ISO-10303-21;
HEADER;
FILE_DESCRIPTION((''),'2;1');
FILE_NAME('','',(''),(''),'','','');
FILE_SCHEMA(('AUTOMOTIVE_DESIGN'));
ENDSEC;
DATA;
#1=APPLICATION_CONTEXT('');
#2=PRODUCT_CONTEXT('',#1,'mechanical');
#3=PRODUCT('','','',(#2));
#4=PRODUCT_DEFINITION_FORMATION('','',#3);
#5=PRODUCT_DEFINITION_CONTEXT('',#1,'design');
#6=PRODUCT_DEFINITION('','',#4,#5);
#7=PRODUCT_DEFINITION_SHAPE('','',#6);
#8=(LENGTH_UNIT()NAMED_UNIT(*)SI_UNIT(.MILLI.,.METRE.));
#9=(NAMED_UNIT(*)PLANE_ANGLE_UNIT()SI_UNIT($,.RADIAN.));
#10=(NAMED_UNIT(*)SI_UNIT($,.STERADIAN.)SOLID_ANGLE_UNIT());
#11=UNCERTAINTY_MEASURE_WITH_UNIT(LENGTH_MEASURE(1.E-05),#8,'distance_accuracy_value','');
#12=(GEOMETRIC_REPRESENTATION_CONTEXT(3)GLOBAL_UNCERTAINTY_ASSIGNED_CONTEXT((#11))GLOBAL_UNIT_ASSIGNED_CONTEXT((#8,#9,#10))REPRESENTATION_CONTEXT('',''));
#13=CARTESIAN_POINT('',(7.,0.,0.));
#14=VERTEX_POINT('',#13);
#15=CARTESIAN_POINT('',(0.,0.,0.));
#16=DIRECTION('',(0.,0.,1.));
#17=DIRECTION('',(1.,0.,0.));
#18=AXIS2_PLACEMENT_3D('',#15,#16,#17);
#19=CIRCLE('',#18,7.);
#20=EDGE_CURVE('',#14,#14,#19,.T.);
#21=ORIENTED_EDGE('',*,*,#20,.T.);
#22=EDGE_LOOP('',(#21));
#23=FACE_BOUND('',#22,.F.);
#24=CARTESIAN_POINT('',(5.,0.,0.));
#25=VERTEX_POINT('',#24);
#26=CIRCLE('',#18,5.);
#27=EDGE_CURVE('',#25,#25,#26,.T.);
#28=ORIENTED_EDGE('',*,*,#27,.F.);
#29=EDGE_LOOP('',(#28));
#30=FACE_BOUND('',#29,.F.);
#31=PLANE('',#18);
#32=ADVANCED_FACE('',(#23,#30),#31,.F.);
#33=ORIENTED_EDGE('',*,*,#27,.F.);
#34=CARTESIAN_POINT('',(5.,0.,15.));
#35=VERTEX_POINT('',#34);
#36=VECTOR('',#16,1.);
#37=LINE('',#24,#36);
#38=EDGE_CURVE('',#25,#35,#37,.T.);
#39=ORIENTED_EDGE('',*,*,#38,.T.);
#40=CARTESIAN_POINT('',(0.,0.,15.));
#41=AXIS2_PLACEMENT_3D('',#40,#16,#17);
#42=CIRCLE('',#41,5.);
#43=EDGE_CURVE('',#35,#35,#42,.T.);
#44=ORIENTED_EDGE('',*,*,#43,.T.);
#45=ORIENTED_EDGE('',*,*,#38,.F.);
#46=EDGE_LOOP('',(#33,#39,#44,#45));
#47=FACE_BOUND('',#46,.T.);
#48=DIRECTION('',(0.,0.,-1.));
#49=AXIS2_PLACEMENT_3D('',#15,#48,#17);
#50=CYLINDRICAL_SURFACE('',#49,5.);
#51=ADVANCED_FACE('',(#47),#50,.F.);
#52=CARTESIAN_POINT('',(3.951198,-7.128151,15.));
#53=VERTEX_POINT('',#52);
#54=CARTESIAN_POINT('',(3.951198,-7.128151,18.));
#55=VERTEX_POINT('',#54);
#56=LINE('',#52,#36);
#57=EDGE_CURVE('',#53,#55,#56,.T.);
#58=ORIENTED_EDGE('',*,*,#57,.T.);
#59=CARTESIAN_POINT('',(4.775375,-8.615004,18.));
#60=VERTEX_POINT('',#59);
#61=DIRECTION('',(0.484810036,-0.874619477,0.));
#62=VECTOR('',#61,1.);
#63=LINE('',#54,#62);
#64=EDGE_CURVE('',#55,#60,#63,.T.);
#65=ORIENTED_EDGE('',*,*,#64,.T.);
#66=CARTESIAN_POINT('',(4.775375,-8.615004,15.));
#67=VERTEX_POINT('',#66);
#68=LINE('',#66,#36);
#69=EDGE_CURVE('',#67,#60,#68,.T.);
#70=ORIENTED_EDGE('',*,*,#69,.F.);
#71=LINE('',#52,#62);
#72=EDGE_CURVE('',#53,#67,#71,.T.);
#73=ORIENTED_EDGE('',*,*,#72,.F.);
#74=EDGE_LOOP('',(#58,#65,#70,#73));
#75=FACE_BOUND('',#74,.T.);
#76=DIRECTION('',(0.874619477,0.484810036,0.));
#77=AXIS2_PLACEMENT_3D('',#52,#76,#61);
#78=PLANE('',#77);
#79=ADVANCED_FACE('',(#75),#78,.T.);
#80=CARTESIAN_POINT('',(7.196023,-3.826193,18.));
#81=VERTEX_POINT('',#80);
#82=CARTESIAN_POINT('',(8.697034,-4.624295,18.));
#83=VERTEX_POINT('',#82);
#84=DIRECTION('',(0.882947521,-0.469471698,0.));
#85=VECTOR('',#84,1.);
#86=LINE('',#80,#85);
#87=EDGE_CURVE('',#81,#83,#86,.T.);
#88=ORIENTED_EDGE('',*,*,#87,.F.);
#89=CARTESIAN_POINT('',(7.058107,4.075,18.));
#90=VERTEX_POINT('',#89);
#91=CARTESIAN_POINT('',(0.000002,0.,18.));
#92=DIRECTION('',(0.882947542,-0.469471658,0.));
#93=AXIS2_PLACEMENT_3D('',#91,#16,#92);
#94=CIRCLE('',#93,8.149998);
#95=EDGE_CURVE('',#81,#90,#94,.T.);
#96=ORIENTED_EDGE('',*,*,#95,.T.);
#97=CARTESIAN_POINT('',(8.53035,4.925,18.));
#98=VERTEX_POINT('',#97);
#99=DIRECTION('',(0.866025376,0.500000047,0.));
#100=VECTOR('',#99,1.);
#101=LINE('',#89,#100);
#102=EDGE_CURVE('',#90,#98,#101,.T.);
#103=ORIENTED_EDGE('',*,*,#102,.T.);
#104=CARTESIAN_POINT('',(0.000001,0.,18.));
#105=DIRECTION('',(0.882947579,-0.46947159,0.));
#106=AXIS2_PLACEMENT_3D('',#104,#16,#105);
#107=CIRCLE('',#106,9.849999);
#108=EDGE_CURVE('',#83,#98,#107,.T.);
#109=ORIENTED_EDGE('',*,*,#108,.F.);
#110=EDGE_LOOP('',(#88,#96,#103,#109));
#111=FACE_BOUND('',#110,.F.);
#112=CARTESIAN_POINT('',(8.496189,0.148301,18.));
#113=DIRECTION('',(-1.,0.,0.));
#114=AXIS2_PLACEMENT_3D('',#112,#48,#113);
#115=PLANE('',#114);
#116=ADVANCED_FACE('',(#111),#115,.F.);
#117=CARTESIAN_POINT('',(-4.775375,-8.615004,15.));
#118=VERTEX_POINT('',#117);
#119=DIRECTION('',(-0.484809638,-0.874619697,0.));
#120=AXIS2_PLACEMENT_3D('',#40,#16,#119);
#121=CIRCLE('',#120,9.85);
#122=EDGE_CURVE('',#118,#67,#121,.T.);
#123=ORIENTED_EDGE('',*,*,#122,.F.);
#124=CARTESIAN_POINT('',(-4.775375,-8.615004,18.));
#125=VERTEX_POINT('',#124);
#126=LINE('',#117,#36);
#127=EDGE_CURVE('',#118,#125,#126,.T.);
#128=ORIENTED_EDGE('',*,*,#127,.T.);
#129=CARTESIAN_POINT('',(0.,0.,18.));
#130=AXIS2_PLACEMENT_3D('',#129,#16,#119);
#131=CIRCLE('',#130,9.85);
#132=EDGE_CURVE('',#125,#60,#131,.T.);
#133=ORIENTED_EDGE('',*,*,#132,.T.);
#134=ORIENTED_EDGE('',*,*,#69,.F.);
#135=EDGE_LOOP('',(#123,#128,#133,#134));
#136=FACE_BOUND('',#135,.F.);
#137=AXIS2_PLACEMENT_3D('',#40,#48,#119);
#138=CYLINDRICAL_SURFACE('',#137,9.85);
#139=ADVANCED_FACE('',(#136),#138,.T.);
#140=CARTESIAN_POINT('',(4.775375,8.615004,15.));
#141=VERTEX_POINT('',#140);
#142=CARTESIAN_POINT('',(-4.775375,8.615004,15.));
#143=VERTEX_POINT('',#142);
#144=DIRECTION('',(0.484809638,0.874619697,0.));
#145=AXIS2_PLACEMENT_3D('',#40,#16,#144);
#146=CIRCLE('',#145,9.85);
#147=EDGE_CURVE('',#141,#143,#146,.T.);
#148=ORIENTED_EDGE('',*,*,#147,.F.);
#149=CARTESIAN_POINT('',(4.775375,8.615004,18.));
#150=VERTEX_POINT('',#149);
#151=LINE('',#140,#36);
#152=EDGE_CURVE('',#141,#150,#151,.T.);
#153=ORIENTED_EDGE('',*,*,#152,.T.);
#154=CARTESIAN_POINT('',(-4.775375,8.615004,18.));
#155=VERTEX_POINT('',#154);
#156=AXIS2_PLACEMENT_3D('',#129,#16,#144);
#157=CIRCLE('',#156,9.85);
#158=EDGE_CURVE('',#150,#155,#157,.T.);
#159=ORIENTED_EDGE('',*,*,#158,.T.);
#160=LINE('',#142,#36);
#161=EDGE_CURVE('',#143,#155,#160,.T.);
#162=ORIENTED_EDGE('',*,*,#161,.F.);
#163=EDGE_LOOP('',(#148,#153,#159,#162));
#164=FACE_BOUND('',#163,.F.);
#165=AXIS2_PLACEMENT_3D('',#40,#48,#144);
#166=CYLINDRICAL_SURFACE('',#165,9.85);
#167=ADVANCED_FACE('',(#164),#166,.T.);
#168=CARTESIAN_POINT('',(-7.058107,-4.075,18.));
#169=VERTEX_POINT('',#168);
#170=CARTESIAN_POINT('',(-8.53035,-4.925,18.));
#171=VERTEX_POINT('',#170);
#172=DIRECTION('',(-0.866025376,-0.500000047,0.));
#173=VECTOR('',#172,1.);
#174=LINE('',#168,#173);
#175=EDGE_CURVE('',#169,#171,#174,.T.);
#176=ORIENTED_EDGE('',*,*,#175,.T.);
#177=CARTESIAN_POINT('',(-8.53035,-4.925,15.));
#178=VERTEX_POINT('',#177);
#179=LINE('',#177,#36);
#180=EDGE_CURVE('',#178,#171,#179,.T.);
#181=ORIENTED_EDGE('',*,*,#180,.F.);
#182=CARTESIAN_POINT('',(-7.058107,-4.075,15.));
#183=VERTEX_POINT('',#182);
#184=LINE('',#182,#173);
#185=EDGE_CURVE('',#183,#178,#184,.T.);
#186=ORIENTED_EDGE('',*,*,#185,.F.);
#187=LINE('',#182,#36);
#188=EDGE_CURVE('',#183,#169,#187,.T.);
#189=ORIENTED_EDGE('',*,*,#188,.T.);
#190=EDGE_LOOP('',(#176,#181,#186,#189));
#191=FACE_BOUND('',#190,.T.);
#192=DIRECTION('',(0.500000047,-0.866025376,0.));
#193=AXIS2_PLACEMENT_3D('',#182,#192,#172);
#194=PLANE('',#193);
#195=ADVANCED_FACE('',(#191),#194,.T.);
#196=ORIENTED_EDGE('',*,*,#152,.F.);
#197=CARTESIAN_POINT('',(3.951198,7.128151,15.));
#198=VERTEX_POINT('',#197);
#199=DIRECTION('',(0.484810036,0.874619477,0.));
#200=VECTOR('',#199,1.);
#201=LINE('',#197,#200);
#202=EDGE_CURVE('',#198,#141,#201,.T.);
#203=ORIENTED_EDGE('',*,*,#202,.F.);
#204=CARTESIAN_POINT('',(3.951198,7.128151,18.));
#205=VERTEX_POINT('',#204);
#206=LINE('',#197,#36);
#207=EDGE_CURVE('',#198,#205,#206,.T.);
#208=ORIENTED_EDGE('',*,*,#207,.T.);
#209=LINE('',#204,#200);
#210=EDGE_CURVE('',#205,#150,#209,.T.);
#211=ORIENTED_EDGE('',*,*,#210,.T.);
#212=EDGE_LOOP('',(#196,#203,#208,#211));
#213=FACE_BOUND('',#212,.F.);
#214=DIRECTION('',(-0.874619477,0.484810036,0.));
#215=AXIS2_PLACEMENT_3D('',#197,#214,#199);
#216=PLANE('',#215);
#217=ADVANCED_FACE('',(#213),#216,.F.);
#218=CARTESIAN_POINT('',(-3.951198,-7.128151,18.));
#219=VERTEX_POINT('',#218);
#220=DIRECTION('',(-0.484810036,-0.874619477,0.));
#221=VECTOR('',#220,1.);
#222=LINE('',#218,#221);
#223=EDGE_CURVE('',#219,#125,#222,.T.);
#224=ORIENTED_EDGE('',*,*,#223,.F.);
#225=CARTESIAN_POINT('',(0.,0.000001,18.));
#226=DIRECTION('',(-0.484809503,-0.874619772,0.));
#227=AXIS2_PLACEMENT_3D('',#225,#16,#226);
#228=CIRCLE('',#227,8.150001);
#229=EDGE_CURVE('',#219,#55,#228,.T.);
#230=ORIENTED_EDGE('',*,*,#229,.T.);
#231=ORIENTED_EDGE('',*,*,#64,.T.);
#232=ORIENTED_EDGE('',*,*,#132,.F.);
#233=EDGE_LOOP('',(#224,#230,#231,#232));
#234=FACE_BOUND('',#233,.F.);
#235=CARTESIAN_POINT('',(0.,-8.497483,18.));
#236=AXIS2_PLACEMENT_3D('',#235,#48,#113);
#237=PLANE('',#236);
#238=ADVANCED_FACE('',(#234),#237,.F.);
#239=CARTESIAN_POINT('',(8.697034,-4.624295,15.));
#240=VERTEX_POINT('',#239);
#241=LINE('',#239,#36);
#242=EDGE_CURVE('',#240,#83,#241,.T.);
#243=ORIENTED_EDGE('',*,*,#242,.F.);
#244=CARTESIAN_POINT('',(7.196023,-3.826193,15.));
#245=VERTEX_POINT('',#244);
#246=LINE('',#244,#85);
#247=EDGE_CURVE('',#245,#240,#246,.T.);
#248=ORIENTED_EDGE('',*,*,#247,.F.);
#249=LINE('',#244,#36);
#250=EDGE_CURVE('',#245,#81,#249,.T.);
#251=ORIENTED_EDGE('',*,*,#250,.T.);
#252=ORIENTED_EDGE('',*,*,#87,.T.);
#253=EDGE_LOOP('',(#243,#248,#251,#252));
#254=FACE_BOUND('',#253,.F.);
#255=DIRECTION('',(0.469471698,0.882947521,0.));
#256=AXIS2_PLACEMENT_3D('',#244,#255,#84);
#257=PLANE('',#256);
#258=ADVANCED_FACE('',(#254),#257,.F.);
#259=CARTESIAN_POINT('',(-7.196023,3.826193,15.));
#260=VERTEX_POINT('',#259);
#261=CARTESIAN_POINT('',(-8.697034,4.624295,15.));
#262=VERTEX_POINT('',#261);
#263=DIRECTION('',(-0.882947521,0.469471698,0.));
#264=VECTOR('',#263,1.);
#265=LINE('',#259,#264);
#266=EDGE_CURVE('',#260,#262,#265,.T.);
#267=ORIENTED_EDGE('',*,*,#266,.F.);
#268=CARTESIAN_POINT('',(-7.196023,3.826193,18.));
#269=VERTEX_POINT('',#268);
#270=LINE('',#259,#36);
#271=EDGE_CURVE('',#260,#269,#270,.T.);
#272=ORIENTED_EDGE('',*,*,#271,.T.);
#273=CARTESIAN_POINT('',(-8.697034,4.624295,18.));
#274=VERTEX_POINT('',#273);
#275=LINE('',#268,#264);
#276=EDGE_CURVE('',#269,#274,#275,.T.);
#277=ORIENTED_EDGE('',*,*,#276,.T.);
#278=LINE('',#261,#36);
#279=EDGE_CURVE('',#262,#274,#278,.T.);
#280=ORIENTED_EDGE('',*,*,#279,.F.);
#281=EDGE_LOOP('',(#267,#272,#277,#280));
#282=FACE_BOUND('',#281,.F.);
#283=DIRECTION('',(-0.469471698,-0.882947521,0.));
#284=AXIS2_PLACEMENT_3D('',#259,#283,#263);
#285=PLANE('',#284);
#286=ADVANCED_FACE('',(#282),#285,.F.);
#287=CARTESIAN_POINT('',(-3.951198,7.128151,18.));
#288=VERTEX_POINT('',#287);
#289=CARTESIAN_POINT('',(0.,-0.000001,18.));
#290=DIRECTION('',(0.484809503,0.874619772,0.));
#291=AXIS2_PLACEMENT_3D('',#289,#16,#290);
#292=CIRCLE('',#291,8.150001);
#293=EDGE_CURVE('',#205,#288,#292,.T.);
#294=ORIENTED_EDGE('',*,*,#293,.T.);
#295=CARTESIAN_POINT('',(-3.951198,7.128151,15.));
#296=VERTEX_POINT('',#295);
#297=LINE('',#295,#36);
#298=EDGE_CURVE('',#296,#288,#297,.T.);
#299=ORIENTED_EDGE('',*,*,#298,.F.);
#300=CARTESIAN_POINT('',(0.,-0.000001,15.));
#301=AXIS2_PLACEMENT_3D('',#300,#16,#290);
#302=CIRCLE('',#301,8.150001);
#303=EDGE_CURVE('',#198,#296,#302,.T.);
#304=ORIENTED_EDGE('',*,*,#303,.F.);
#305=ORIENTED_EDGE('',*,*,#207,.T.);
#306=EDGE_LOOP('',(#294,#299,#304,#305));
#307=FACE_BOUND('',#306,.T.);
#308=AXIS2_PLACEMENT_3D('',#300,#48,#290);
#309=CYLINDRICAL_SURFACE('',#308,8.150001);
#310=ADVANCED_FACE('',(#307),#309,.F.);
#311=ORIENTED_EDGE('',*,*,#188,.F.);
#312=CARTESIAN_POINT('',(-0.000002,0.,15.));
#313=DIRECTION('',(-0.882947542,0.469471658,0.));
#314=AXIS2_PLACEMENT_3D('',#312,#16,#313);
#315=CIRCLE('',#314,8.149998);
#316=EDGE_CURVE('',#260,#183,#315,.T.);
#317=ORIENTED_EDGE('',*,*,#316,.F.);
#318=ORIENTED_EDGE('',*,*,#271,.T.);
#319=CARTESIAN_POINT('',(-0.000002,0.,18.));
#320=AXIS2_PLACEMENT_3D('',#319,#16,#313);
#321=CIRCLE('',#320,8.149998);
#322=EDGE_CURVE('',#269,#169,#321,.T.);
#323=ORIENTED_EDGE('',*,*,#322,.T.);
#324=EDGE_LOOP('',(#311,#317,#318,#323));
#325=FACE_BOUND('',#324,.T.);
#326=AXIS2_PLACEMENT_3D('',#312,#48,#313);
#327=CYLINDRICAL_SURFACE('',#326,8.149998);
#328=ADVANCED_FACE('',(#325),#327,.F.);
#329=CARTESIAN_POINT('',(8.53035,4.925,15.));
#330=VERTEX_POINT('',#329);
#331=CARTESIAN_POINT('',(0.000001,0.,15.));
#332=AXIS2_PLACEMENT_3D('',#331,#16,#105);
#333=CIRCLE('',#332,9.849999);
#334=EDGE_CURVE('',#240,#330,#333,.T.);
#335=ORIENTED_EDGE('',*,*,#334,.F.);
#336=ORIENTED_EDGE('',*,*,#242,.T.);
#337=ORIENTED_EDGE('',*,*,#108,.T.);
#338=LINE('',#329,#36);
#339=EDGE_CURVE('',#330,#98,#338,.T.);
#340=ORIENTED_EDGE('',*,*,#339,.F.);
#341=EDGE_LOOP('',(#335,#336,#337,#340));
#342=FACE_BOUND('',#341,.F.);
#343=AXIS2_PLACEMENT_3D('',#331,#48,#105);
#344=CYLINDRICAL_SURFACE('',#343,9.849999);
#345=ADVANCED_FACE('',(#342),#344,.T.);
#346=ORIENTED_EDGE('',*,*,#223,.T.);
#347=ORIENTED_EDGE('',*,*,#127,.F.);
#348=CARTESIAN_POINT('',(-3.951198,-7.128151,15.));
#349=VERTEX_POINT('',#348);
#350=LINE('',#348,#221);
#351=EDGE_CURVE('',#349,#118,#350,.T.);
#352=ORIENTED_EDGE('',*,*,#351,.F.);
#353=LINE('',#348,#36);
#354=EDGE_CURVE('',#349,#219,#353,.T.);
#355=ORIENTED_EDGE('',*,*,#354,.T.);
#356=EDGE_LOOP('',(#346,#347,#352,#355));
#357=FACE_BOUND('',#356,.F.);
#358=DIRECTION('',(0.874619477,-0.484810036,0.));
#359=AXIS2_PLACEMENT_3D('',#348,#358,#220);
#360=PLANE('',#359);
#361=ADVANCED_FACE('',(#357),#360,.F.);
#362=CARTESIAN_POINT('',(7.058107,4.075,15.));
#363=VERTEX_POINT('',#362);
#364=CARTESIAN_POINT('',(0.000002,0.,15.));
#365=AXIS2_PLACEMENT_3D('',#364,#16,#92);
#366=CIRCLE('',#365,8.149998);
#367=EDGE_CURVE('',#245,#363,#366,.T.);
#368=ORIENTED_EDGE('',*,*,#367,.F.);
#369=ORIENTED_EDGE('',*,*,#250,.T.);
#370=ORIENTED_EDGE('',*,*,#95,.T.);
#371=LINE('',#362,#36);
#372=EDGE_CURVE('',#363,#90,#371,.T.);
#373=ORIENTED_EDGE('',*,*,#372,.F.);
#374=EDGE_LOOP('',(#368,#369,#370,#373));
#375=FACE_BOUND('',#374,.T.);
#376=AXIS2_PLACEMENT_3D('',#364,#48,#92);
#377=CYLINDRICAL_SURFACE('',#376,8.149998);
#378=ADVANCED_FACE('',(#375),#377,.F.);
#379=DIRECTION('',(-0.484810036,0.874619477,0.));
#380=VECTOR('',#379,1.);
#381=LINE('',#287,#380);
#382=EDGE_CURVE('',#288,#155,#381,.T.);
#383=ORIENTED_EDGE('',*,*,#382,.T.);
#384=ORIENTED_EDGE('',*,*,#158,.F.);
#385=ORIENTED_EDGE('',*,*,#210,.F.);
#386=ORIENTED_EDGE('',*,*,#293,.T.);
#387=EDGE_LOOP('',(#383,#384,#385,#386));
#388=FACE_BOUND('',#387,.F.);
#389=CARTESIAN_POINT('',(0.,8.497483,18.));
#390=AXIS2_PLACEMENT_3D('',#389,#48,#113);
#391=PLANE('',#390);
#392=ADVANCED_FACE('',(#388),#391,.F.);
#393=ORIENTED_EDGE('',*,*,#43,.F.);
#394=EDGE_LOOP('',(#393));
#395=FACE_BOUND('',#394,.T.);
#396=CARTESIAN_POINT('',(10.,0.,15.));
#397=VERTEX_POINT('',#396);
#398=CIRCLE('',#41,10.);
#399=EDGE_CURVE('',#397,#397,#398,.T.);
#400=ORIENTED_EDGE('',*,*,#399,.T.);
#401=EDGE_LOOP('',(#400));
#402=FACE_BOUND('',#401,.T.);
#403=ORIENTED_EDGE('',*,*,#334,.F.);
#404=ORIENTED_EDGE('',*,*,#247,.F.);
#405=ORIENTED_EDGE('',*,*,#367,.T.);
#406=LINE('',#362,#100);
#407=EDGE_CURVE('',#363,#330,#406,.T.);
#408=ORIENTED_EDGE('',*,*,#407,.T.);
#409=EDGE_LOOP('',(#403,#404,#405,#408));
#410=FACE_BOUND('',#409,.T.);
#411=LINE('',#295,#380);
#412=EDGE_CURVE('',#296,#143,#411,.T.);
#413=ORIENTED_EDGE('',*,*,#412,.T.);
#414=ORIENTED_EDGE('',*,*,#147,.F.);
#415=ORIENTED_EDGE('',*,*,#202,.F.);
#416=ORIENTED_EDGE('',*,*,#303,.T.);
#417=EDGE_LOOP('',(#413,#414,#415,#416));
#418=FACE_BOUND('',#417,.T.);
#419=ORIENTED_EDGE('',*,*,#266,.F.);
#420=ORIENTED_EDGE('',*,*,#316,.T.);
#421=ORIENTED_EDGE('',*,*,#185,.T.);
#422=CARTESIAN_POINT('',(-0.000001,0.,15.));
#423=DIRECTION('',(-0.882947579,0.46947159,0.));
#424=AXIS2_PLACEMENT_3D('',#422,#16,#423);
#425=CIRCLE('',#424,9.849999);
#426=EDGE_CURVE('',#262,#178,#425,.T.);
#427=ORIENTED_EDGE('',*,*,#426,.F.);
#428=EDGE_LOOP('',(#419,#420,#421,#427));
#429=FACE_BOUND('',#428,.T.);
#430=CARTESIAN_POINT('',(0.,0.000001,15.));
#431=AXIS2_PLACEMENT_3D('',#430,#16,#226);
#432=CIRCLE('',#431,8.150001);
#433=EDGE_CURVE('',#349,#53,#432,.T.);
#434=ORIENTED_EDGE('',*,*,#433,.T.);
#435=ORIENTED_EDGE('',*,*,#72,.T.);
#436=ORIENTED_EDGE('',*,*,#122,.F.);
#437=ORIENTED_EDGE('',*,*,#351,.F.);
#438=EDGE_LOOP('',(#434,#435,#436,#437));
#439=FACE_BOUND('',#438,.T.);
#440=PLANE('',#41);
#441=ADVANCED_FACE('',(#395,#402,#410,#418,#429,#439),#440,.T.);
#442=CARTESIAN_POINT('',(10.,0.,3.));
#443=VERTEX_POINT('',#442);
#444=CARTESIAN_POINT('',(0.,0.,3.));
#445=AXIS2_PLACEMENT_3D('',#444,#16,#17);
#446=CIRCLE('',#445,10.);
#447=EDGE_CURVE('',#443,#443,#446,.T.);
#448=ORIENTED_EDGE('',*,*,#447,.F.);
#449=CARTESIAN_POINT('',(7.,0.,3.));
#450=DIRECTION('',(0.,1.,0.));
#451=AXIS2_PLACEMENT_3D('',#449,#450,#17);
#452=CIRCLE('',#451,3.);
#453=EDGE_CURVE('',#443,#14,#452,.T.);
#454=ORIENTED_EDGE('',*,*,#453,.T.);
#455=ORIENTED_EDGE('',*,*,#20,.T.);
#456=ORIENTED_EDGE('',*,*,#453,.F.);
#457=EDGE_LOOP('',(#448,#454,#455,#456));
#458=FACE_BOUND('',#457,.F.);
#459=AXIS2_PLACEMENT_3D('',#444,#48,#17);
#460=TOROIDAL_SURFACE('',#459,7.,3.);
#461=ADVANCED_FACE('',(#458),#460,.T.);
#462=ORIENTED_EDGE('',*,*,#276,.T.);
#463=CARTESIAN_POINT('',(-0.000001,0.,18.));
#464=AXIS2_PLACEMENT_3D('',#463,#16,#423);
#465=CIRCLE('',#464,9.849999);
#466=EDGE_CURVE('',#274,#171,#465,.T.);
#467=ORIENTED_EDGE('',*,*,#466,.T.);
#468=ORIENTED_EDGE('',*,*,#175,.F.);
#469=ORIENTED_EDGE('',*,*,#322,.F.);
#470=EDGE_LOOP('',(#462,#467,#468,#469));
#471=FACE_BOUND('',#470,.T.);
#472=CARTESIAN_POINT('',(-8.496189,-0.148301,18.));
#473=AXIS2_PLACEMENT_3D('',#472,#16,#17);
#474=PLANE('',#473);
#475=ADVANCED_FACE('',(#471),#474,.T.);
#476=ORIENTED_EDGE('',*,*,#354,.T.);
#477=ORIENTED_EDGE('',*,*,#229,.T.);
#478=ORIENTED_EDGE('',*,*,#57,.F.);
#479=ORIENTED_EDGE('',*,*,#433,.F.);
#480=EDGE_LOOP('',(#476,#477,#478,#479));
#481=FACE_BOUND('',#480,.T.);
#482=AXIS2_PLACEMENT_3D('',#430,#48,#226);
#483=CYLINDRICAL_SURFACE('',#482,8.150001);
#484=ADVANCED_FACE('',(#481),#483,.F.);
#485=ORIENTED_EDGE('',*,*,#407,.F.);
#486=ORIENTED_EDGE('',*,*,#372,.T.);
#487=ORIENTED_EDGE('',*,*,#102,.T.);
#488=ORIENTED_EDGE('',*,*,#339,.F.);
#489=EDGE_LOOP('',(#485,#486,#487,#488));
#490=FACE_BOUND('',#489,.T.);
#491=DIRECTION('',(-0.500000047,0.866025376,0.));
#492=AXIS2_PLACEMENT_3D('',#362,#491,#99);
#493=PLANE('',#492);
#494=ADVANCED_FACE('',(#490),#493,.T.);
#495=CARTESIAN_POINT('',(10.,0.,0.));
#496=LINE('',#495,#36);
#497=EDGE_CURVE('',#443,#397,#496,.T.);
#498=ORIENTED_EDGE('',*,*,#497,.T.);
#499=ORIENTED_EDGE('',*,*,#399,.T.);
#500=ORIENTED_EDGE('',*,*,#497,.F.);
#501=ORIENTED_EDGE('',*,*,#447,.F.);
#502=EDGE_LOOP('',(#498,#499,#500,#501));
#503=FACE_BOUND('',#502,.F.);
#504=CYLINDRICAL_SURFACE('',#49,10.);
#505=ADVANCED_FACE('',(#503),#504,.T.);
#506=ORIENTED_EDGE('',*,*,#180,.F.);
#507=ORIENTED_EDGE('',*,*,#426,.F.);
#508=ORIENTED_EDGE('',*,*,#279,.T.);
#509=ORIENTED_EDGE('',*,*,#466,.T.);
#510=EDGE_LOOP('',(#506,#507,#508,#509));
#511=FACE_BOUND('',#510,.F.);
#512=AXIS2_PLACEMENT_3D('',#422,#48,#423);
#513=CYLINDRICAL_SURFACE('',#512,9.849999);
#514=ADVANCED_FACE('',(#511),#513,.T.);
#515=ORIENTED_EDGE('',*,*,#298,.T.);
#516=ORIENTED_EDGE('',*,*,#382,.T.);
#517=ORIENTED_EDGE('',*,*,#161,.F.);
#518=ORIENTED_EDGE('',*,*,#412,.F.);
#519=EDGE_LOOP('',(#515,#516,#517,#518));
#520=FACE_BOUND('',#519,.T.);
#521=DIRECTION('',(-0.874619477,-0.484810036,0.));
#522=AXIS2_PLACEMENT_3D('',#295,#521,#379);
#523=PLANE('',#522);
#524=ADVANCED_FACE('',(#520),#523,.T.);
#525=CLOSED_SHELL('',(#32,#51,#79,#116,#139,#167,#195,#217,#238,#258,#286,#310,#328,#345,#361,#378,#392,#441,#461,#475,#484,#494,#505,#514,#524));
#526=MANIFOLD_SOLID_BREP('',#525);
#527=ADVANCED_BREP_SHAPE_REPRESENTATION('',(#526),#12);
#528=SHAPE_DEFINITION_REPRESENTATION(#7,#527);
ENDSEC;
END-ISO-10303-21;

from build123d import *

# Parameters (mm, degrees)
SKETCH_R     = 10
SKETCH_R_2   = 5
PAD_DEPTH    = 15
PAD001_DEPTH = 3
FILLET_R     = 3


with BuildPart() as part:
    # Sketch → Pad (new body)
    with BuildSketch(Plane.XY):
        Circle(SKETCH_R)
        Circle(SKETCH_R_2, mode=Mode.SUBTRACT)
    extrude(amount=PAD_DEPTH)

    # Sketch001 (on Face4 of Pad) → Pad001 (join)
    with BuildSketch(Plane.XY.offset(15)):
        with BuildLine():
            ThreePointArc((-8.697034, 4.624295), (-9.8485, -0.171906), (-8.53035, -4.925))
            Line((-7.058107, -4.075), (-8.53035, -4.925))
            ThreePointArc((-7.196023, 3.826193), (-8.148759, -0.142237), (-7.058107, -4.075))
            Line((-7.196023, 3.826193), (-8.697034, 4.624295))
        make_face()
        with BuildLine():
            Line((-3.951198, 7.128151), (-4.775375, 8.615004))
            ThreePointArc((4.775375, 8.615004), (0, 9.85), (-4.775375, 8.615004))
            Line((3.951198, 7.128151), (4.775375, 8.615004))
            ThreePointArc((3.951198, 7.128151), (0, 8.15), (-3.951198, 7.128151))
        make_face()
        with BuildLine():
            Line((3.951198, -7.128151), (4.775375, -8.615004))
            ThreePointArc((-4.775375, -8.615004), (0, -9.85), (4.775375, -8.615004))
            Line((-3.951198, -7.128151), (-4.775375, -8.615004))
            ThreePointArc((-3.951198, -7.128151), (0, -8.15), (3.951198, -7.128151))
        make_face()
        with BuildLine():
            Line((7.058107, 4.075), (8.53035, 4.925))
            ThreePointArc((8.697034, -4.624295), (9.8485, 0.171906), (8.53035, 4.925))
            Line((7.196023, -3.826193), (8.697034, -4.624295))
            ThreePointArc((7.196023, -3.826193), (8.148759, 0.142237), (7.058107, 4.075))
        make_face()
    extrude(amount=PAD001_DEPTH)

    # Fillet
    fillet_edges = [part.edges().sort_by_distance(p)[0] for p in [
        (-10, 0, 0),
    ]]
    fillet(fillet_edges, radius=FILLET_R)


solid = part.part
